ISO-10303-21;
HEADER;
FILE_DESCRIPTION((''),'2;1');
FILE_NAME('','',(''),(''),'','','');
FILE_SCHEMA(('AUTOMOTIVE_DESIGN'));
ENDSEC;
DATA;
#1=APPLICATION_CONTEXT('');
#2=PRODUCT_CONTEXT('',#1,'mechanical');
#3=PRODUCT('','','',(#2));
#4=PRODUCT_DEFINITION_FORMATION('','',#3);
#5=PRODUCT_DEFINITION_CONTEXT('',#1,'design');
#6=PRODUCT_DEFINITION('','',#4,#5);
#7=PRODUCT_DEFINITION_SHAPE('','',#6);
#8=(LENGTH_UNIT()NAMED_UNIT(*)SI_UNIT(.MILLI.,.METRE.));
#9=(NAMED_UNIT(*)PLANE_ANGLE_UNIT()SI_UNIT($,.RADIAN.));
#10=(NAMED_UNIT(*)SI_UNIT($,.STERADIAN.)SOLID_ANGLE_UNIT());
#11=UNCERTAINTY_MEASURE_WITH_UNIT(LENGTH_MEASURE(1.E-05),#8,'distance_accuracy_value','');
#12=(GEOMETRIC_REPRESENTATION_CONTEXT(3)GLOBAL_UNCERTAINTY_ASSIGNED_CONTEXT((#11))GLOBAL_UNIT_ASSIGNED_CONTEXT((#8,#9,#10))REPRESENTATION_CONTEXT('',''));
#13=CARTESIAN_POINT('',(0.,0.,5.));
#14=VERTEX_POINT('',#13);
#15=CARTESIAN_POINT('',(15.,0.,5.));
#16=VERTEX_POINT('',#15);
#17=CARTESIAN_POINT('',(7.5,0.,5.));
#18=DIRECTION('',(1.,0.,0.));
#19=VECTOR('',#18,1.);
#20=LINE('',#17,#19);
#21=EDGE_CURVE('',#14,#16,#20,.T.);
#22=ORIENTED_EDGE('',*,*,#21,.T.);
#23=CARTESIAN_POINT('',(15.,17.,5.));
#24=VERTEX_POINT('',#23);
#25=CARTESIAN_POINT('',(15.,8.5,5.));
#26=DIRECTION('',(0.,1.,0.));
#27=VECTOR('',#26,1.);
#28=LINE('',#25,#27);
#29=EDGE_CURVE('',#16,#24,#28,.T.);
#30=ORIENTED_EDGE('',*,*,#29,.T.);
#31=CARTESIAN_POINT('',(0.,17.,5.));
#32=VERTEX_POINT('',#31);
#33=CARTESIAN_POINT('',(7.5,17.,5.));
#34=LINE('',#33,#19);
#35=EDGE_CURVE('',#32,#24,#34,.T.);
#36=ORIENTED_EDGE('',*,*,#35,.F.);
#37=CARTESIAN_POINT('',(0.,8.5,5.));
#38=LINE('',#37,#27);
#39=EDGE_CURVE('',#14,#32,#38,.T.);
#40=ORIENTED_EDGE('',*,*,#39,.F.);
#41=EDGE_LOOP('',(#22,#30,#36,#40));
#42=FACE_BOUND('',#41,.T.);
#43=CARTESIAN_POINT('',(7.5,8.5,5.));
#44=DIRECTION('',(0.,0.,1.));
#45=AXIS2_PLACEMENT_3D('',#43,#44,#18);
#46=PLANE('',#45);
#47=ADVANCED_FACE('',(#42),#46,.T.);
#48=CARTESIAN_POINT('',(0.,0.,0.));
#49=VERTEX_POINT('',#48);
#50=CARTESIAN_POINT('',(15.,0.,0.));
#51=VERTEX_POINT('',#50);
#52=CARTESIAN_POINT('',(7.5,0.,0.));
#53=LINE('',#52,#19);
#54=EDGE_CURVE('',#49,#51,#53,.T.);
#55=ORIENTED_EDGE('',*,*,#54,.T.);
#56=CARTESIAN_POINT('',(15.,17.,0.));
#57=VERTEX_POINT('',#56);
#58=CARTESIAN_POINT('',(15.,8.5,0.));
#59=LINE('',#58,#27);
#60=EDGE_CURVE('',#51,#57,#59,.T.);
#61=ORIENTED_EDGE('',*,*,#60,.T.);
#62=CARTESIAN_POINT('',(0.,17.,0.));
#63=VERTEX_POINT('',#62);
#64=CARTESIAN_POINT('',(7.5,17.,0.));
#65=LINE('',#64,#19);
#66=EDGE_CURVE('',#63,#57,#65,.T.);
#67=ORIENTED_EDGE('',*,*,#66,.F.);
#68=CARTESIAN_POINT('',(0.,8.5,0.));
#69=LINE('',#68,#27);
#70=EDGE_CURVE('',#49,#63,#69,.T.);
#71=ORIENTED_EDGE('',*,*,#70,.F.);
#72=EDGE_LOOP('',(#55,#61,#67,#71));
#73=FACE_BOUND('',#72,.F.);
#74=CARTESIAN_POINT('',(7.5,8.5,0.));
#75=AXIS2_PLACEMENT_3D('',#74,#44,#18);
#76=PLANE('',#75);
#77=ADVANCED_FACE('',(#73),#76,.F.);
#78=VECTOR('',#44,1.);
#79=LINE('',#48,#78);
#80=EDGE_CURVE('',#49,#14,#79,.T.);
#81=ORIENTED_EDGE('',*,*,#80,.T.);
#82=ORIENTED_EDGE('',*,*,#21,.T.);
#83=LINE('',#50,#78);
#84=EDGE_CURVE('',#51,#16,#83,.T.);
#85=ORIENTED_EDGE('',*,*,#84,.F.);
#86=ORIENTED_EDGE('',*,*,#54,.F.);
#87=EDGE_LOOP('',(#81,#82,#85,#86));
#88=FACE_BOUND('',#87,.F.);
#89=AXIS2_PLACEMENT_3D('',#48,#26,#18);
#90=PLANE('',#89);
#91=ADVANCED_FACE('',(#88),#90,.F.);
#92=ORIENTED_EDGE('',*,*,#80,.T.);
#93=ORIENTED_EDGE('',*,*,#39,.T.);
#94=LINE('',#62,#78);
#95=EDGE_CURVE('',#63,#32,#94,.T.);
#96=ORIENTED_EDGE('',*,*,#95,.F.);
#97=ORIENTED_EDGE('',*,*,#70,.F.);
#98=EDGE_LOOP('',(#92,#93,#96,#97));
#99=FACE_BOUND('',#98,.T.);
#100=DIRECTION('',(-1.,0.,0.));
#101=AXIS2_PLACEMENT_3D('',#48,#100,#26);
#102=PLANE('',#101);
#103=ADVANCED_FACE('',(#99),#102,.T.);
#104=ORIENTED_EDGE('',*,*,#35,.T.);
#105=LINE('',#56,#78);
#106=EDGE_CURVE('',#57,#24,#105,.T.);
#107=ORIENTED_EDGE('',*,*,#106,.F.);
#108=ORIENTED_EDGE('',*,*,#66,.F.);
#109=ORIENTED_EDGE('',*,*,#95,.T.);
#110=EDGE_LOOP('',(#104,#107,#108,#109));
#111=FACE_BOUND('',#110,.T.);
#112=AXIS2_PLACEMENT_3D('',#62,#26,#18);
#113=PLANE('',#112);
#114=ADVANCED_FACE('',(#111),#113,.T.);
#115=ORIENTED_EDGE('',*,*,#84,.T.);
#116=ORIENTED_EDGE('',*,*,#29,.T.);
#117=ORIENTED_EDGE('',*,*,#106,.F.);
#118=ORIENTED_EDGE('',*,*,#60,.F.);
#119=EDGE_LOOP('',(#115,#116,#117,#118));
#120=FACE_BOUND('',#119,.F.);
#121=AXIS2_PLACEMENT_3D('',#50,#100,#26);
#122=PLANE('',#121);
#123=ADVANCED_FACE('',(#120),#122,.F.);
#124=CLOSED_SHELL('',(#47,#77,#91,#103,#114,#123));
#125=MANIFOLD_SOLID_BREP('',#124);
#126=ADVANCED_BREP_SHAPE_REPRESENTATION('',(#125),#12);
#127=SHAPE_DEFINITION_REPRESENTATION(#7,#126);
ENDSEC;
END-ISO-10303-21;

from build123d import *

# Parameters (mm, degrees)
BOX_W     = 15
BOX_H     = 17
BOX_DEPTH = 5


with BuildPart() as part:
    # Box → Box (new body)
    with BuildSketch(Plane.XY):
        with Locations((7.5, 8.5)):
            Rectangle(BOX_W, BOX_H)
    extrude(amount=BOX_DEPTH)


solid = part.part
